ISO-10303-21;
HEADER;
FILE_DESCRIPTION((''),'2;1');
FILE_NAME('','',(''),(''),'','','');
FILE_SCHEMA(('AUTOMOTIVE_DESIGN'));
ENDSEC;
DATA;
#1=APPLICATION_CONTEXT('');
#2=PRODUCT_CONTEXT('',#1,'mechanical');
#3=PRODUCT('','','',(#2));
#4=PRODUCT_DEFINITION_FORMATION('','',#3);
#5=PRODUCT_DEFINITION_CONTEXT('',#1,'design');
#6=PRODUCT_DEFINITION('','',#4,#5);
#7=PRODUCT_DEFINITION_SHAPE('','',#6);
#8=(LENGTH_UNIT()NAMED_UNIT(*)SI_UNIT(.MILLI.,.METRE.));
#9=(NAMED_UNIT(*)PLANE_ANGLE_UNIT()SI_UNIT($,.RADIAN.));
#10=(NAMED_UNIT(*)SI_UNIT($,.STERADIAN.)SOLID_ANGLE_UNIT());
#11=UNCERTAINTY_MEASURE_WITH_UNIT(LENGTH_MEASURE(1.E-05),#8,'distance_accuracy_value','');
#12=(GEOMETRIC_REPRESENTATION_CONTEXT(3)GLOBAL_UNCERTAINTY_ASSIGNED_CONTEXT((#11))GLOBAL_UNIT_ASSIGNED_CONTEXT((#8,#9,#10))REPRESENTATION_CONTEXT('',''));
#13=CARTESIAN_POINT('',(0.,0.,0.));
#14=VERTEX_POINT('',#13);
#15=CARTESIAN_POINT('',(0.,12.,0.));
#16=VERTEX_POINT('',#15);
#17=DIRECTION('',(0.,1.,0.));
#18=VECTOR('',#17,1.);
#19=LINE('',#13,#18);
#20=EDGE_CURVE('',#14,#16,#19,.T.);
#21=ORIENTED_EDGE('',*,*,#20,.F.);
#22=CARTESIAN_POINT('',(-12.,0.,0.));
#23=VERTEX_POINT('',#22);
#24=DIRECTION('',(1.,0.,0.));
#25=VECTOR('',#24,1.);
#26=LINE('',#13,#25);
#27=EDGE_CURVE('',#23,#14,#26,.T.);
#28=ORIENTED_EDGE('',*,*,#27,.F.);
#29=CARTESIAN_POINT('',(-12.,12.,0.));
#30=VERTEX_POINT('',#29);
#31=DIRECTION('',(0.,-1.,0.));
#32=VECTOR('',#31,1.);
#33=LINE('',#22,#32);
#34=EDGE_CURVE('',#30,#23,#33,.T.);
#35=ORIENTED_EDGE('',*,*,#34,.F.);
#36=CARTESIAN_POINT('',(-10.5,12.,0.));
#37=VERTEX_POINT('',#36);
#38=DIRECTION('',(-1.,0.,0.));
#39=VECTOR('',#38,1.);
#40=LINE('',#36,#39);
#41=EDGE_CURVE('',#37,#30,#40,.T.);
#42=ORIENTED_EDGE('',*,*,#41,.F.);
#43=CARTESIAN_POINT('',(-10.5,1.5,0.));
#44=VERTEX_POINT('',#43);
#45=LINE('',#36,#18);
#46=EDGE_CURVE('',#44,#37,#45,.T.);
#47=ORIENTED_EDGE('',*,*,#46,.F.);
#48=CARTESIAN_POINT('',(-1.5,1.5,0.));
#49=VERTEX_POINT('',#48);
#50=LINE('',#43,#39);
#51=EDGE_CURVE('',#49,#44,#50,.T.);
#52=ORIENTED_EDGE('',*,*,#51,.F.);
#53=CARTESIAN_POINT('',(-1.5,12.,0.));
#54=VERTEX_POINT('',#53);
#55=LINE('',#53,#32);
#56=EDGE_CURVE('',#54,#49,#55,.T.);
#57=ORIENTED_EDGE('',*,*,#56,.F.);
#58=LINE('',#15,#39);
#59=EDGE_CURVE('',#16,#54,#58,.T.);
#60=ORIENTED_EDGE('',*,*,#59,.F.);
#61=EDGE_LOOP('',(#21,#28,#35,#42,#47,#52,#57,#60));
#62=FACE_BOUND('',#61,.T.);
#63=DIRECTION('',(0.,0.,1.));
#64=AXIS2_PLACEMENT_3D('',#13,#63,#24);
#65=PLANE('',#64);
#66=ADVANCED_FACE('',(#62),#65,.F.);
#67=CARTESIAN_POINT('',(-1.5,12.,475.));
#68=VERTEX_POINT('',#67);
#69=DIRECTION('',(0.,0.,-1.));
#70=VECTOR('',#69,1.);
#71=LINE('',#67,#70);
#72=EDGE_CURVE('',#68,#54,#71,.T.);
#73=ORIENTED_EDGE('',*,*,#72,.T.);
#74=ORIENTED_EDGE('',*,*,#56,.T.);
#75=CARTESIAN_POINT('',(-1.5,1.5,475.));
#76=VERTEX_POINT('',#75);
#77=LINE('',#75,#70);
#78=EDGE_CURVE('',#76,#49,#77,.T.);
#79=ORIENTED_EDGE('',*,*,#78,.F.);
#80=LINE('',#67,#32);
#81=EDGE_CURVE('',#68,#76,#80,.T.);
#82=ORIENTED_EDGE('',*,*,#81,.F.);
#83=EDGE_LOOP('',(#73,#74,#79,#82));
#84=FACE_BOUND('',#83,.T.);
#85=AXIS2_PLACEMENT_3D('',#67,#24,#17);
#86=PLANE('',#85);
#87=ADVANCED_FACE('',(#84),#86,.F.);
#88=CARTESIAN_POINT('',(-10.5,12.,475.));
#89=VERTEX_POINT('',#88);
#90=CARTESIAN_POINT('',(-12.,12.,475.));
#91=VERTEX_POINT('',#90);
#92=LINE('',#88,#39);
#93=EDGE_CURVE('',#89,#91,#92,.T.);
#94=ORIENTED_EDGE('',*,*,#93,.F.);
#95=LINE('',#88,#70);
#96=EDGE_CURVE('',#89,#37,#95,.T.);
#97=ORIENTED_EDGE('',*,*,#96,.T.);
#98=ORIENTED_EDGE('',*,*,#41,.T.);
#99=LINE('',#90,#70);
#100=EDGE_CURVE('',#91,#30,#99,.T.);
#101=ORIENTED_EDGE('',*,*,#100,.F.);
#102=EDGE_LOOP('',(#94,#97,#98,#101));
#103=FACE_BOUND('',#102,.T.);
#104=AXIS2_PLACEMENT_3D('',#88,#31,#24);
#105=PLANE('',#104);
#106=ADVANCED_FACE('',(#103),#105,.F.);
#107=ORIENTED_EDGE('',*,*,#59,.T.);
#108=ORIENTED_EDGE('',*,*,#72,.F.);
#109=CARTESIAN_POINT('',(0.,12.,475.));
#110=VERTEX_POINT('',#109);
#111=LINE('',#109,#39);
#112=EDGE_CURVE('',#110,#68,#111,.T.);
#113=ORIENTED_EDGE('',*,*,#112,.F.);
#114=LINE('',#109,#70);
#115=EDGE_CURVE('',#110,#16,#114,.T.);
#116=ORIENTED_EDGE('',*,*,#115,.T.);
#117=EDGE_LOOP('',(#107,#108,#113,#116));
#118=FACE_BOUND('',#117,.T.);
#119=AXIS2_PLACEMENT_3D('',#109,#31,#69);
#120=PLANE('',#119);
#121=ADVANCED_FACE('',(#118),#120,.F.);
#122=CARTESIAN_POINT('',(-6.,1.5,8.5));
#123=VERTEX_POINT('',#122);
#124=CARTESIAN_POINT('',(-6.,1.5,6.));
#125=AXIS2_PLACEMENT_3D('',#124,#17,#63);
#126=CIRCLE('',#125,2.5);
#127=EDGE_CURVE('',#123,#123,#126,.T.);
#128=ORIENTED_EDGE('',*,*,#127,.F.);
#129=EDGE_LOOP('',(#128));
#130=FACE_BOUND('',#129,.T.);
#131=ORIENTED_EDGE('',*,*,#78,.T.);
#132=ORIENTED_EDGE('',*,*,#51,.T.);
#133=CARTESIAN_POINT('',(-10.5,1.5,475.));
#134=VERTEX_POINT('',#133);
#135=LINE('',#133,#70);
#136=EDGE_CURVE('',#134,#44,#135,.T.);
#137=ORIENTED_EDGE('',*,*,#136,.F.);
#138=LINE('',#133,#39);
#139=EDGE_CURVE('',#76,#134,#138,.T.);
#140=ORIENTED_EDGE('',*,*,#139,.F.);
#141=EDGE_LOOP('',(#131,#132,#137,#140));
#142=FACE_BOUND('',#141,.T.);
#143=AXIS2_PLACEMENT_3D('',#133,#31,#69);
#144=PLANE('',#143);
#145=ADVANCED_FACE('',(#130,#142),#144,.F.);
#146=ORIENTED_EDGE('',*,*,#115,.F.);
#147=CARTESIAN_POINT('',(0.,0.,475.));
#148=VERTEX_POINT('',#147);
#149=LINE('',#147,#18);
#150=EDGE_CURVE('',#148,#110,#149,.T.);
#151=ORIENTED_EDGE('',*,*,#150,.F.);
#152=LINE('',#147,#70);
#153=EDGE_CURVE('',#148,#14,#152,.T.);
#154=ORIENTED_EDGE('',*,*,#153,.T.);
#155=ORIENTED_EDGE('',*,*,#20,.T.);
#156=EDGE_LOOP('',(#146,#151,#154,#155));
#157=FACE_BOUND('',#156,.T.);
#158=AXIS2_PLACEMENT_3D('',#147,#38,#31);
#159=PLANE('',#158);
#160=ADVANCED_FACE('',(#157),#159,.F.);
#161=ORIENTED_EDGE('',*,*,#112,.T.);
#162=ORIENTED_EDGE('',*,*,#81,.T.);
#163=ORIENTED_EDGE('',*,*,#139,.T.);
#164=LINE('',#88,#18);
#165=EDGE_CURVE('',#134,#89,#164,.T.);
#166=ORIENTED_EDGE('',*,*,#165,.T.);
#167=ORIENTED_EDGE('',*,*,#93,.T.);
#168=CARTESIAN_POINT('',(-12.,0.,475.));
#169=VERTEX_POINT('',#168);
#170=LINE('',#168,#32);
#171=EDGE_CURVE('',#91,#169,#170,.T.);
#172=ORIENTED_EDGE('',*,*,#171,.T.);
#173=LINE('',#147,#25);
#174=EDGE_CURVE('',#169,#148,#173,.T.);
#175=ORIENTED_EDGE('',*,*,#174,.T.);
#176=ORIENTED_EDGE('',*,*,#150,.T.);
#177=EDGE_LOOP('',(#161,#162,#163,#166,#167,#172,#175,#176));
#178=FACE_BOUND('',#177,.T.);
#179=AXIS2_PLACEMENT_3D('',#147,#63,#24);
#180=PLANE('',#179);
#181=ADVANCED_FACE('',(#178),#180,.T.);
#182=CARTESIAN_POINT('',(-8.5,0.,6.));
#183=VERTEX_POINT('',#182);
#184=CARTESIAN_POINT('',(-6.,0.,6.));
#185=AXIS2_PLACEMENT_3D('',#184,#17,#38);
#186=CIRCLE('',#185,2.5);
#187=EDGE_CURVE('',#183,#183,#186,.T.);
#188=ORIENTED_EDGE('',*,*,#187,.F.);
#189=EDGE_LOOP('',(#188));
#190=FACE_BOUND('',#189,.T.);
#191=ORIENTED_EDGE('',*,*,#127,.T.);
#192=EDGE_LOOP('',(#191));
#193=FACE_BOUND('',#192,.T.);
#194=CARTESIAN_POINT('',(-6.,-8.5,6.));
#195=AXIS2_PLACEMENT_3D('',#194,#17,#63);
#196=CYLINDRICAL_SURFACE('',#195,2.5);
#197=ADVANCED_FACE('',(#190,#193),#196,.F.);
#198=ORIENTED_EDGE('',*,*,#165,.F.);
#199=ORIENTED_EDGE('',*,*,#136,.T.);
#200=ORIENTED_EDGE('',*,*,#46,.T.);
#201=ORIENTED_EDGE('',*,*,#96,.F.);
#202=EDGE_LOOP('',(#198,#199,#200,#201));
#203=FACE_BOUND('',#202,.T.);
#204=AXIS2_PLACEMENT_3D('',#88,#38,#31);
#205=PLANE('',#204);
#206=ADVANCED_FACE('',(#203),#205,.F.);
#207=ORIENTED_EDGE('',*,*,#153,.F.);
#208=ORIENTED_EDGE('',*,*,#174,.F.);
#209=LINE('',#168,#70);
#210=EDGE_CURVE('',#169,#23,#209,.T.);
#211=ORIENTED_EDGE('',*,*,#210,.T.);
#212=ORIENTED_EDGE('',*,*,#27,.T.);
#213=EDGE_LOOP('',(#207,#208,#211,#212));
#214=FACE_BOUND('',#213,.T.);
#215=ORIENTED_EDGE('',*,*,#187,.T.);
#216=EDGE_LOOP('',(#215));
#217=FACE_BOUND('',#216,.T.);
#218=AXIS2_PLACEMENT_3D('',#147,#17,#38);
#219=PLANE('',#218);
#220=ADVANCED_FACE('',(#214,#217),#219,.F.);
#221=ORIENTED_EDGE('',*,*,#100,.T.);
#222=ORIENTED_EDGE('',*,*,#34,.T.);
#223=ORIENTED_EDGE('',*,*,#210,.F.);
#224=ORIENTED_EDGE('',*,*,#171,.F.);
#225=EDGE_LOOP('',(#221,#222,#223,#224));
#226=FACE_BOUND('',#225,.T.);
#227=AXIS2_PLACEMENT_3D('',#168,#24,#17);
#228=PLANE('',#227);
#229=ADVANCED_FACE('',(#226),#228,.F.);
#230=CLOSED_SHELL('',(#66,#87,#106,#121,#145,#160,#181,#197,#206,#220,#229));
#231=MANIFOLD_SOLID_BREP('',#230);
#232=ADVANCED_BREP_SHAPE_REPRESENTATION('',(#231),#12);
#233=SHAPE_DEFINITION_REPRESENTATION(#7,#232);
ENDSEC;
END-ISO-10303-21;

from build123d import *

# Parameters (mm, degrees)
BOSS_EXTRUDE1_DEPTH = 475
SKETCH2_R           = 2.5
CUT_EXTRUDE1_DEPTH  = 10


with BuildPart() as part:
    # Sketch1 → Boss-Extrude1 (new body)
    with BuildSketch(Plane.XY):
        Polygon((-10.5, 12), (-12, 12), (-12, 0), (0, 0), (0, 12), (-1.5, 12), (-1.5, 1.5), (-10.5, 1.5), align=None)
    extrude(amount=BOSS_EXTRUDE1_DEPTH)

    # Sketch2 → Cut-Extrude1 (cut)
    with BuildSketch(Plane(origin=(0, 1.5, 0), x_dir=(1, 0, 0), z_dir=(0, 1, 0))):
        with Locations(Location((-6, -6, 0), (0, 0, 270))):
            Circle(SKETCH2_R)
    extrude(amount=-CUT_EXTRUDE1_DEPTH, mode=Mode.SUBTRACT)


solid = part.part
